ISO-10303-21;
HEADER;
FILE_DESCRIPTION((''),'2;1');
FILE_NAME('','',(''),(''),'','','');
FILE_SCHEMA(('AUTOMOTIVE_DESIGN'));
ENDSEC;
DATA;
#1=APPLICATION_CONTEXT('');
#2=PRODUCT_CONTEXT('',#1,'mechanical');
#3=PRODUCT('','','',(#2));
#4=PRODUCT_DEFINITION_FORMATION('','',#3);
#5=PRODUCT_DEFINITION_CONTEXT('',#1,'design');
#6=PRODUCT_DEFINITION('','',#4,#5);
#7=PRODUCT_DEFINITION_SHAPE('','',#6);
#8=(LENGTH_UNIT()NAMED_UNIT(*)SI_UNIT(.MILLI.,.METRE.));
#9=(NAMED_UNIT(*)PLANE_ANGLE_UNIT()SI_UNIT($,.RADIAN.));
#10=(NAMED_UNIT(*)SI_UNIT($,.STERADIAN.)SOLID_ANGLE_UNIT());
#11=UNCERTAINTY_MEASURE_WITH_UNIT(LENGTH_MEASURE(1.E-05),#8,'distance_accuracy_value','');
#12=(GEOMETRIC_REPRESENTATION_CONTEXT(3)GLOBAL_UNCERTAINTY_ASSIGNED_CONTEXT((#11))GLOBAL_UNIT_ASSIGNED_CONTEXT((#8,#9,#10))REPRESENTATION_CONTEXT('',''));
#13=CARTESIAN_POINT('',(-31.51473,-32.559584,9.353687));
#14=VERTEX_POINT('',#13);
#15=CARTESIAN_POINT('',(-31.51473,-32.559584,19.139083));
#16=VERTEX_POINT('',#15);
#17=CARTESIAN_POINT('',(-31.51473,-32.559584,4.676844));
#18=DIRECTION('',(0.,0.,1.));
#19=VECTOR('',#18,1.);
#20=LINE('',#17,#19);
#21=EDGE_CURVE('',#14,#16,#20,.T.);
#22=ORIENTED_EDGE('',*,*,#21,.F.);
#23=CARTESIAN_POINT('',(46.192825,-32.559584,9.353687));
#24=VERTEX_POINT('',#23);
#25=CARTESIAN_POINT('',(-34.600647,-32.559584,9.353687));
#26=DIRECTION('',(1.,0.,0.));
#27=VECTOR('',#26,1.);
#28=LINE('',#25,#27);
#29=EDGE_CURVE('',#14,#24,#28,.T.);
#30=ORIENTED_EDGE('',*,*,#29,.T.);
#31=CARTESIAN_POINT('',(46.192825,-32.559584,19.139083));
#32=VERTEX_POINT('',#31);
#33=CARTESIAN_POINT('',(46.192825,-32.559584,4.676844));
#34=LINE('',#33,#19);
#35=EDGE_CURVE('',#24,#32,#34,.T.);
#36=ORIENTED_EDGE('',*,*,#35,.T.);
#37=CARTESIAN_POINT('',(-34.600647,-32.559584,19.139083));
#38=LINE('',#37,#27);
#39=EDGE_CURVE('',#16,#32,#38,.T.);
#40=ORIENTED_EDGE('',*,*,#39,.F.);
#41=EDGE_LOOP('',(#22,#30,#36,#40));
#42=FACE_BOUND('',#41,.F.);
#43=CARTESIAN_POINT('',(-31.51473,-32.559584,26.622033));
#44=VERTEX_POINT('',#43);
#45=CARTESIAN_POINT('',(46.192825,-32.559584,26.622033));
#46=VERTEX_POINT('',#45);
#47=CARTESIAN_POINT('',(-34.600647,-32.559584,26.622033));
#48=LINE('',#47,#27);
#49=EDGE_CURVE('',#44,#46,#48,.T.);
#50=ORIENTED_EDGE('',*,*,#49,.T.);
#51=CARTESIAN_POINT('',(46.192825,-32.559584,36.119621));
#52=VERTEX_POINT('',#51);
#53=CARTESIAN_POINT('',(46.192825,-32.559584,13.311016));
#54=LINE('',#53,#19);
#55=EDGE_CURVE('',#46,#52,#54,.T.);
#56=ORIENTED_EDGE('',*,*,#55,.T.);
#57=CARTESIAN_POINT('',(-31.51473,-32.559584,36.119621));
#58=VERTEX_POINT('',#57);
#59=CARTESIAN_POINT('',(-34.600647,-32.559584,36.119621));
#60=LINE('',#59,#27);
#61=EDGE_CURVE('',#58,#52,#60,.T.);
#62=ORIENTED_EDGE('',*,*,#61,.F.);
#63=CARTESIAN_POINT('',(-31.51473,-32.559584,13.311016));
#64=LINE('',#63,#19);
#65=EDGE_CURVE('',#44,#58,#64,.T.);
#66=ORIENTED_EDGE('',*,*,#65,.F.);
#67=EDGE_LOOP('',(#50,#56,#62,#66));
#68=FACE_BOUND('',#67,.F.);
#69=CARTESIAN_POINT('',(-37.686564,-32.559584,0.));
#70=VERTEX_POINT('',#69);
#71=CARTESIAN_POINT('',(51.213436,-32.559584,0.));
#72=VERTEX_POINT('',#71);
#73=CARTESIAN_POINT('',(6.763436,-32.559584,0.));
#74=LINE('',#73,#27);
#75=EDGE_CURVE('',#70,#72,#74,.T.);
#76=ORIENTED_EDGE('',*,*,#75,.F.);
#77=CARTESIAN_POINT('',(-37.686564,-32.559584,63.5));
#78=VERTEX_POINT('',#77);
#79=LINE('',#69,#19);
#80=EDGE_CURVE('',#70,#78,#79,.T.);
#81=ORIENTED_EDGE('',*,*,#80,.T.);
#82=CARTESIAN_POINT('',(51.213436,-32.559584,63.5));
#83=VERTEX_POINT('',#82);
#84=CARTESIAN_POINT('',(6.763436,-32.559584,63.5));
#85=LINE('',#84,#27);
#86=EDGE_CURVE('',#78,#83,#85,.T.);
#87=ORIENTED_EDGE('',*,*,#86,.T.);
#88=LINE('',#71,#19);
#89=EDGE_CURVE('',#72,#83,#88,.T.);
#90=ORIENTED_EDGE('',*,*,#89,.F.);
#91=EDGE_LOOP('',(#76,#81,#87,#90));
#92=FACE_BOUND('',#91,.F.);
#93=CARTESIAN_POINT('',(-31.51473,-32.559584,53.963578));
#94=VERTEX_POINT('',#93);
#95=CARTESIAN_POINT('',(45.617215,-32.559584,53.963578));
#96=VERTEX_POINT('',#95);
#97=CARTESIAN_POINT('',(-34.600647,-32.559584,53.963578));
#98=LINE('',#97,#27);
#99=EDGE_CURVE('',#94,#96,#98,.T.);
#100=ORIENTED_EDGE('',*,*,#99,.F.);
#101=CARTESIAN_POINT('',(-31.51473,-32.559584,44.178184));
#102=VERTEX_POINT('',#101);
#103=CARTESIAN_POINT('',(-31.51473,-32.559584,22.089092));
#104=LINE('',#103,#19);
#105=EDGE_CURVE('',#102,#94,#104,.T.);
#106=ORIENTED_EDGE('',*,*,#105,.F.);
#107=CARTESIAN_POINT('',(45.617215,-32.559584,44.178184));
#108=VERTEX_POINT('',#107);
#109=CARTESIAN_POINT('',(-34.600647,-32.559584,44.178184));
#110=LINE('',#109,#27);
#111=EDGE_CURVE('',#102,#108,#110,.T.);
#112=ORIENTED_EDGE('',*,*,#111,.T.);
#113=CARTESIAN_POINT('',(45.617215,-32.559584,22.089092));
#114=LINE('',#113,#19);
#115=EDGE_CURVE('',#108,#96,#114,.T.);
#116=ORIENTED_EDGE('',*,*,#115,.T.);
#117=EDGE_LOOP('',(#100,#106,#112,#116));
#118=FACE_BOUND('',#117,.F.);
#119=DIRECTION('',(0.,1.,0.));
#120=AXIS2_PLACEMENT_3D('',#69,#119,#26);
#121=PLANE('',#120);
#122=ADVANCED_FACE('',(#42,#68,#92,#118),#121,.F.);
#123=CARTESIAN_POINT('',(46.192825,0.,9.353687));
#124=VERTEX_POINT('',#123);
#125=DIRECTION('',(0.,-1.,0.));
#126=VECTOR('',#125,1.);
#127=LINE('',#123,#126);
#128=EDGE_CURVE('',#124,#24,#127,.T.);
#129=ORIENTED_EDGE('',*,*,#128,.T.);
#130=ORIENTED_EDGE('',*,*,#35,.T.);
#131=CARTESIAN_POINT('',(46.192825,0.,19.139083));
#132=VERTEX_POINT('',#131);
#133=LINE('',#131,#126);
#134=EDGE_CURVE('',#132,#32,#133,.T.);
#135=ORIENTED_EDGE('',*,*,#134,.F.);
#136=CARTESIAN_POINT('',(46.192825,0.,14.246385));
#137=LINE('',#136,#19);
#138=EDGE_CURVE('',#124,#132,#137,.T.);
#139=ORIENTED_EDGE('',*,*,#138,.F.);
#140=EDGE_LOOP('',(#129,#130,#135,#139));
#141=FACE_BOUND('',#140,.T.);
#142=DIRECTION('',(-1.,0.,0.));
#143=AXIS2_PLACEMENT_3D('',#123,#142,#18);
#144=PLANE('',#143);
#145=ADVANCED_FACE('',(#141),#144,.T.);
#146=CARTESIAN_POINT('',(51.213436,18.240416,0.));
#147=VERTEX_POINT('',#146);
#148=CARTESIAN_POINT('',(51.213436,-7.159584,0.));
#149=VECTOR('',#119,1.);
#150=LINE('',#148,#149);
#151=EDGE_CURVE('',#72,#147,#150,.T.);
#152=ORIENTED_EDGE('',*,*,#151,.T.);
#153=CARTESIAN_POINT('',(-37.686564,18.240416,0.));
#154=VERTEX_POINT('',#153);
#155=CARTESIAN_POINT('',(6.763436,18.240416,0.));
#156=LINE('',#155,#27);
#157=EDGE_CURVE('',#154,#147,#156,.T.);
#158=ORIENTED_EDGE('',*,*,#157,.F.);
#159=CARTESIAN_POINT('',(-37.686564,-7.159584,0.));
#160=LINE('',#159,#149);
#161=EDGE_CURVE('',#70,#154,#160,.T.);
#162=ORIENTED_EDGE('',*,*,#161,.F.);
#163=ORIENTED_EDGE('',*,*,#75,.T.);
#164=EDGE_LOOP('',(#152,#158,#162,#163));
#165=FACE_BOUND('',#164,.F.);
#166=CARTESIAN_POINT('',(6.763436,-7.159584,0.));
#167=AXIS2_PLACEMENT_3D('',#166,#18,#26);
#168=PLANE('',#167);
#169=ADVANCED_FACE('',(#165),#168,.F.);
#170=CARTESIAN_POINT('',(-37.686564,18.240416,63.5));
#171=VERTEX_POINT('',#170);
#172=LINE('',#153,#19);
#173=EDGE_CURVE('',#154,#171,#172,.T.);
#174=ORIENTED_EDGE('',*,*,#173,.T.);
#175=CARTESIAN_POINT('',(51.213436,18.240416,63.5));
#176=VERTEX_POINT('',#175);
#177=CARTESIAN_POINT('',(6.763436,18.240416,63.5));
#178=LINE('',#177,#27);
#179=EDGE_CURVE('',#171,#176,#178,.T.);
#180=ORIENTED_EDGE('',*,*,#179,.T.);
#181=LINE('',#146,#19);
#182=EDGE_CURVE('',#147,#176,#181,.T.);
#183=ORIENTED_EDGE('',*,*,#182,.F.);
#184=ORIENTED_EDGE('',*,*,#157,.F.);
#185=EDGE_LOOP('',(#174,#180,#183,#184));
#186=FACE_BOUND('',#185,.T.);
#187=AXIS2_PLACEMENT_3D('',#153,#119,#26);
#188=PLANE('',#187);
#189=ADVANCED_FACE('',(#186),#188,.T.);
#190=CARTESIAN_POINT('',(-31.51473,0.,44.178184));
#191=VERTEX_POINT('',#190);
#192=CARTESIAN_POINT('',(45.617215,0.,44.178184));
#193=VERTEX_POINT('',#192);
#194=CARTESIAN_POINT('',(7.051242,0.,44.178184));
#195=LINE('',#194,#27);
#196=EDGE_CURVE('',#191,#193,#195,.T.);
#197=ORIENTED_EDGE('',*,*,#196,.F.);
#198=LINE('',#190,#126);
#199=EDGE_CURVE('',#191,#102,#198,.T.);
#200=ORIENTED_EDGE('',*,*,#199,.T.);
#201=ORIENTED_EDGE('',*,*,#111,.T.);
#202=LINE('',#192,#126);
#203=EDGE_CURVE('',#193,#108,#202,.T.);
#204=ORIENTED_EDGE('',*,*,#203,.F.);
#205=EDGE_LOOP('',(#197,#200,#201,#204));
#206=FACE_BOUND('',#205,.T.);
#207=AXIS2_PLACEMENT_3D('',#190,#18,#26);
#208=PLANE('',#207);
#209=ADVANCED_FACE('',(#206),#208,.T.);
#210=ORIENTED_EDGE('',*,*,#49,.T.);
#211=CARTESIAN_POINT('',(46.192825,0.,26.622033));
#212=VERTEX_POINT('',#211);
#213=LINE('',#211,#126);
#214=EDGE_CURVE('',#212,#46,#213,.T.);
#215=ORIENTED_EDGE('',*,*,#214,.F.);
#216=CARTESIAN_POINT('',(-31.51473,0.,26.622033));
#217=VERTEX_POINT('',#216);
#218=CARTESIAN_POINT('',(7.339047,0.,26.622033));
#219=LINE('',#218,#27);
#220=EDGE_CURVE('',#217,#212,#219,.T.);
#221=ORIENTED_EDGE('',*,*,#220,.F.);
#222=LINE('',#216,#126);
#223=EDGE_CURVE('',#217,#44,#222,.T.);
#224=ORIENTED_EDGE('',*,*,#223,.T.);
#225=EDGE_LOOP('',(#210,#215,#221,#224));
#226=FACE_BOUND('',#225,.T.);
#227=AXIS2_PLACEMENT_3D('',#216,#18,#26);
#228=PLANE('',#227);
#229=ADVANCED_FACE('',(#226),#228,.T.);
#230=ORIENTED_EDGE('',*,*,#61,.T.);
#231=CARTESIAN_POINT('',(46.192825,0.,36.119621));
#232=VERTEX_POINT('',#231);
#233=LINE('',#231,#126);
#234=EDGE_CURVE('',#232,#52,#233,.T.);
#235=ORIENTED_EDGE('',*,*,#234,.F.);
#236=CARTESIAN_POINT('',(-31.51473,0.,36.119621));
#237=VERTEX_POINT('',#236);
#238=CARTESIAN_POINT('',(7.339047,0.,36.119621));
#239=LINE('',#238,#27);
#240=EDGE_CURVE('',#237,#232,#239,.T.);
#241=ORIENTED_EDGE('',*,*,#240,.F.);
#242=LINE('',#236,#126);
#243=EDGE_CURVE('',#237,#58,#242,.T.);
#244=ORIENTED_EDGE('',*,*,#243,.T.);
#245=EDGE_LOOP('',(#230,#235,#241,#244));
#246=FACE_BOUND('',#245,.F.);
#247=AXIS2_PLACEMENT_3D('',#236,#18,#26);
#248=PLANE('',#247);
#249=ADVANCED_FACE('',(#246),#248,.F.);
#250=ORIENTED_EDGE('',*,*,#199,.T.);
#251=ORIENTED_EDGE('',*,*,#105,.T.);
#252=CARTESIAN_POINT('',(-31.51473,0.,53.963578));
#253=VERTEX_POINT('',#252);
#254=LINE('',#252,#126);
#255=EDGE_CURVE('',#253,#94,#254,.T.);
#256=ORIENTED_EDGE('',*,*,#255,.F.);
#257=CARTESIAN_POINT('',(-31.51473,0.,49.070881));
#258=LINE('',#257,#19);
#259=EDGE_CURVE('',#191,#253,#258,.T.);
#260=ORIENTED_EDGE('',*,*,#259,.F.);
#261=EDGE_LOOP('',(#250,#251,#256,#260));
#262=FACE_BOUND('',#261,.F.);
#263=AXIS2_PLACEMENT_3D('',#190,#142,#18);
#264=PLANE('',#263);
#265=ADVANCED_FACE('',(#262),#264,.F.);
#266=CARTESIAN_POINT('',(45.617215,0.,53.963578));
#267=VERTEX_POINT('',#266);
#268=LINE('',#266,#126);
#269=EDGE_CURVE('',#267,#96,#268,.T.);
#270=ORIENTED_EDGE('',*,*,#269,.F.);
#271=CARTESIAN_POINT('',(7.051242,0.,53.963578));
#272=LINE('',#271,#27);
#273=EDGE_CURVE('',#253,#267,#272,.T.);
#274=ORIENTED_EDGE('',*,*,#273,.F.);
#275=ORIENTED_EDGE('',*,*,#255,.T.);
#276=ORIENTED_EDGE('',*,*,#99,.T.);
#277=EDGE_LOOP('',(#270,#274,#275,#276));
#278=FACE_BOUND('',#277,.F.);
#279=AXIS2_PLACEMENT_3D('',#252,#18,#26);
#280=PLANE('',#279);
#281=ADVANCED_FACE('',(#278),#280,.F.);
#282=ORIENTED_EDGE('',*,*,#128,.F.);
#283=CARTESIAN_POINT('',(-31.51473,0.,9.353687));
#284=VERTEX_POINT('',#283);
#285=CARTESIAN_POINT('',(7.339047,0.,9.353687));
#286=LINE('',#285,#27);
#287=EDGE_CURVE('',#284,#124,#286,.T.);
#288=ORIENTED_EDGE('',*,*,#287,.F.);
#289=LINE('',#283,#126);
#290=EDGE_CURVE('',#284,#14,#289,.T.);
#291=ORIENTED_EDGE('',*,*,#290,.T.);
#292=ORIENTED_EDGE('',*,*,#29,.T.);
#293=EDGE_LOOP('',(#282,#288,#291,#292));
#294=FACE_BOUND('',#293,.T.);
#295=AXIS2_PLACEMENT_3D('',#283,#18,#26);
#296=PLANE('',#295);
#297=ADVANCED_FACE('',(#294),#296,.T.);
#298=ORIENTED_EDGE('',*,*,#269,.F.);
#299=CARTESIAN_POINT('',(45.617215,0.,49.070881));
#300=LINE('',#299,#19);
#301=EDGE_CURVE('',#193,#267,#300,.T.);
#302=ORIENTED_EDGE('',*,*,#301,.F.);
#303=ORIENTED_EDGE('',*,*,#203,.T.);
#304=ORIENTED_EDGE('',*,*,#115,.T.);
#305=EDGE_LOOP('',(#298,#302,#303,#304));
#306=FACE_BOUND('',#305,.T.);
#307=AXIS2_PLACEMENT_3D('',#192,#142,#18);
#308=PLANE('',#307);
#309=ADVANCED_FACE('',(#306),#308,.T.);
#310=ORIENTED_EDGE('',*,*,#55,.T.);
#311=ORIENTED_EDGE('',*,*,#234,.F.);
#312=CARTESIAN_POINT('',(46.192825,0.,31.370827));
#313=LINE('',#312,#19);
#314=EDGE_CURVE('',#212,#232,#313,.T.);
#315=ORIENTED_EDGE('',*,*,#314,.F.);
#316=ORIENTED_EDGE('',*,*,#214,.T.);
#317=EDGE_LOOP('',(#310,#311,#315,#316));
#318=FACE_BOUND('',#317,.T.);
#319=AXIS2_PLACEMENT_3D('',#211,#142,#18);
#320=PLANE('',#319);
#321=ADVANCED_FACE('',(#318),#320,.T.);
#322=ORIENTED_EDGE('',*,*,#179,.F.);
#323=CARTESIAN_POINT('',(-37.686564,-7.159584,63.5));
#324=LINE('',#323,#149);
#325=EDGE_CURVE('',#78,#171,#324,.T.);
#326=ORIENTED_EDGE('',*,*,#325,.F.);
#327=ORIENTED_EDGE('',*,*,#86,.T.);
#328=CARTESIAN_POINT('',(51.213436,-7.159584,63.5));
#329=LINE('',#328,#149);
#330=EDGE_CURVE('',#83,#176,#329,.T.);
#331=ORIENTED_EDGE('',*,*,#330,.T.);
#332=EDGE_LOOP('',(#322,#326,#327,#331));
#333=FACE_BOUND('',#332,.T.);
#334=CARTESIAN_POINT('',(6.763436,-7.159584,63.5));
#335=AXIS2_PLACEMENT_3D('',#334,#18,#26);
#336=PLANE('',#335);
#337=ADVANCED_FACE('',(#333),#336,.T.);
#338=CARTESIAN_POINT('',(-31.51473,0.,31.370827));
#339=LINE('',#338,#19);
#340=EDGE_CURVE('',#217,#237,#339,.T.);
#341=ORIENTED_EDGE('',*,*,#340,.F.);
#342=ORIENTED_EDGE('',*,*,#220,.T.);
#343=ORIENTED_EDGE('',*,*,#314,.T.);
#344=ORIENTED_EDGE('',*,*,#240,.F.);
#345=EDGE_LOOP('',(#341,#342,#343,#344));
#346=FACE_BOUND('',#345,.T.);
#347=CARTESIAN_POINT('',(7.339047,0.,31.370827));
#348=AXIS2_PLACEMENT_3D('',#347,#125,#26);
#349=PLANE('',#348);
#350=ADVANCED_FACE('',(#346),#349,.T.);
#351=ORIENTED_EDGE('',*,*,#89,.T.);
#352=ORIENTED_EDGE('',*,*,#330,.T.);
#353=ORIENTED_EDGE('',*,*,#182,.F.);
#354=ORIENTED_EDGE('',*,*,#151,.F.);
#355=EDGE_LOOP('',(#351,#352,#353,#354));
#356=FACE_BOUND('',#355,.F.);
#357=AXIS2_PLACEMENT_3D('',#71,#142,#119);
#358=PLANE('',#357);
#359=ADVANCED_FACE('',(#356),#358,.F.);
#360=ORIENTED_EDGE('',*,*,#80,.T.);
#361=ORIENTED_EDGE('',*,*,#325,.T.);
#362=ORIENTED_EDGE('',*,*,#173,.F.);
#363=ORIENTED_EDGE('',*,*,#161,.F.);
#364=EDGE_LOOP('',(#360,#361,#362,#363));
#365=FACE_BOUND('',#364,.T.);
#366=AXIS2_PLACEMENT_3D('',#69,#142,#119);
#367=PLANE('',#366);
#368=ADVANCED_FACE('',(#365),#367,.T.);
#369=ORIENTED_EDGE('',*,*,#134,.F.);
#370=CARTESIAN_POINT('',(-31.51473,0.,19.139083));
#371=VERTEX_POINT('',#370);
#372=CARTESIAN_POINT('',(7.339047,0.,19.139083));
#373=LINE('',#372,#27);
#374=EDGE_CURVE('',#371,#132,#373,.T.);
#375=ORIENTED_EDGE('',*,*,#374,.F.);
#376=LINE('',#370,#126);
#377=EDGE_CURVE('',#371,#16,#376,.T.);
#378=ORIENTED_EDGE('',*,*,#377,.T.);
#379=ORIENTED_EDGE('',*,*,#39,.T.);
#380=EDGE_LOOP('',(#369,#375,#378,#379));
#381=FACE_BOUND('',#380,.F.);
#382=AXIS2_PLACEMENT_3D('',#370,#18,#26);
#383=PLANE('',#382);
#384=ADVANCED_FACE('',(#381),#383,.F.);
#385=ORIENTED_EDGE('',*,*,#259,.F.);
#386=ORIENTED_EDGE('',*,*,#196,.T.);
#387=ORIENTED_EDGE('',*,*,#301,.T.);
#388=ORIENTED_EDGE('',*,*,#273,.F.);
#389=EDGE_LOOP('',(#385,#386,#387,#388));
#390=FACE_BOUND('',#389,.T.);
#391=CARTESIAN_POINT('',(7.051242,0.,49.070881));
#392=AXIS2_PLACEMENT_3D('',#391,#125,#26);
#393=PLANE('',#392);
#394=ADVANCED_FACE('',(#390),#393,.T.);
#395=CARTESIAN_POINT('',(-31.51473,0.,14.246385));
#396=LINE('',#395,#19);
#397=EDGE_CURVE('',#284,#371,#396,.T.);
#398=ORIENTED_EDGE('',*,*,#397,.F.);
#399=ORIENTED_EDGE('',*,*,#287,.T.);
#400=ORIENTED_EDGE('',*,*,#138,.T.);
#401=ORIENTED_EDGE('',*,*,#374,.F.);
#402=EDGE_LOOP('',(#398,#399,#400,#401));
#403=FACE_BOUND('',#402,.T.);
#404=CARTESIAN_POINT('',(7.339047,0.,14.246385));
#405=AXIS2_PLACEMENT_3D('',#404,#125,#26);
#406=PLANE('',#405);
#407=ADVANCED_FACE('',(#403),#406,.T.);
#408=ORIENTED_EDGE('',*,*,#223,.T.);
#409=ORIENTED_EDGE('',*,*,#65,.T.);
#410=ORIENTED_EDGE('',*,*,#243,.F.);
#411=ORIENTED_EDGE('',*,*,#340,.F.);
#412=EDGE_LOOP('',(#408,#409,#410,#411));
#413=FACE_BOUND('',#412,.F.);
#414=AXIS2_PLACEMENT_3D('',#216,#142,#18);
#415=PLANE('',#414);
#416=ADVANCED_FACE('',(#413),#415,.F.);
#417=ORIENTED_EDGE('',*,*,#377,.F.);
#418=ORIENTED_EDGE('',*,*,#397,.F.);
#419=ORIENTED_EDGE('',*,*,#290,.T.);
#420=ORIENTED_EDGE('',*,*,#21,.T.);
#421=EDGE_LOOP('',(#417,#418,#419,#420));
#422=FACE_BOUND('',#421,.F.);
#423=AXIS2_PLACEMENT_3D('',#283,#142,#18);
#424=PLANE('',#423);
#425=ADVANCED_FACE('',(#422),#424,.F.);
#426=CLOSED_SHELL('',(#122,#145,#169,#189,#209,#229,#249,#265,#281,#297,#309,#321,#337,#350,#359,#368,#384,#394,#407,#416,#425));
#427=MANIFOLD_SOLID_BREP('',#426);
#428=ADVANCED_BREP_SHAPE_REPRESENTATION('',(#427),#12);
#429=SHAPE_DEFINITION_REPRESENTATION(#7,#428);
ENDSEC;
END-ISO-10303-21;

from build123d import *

# Parameters (mm, degrees)
F0_W     = 88.9
F0_H     = 50.8
F1_DEPTH = 63.5
F2_W     = 77.131945
F2_H     = 9.785395
F2_W_2   = 77.707555
F2_H_2   = 9.497588
F2_H_3   = 9.785396
F3_DEPTH = 127


with BuildPart() as f1:
    # F0 (on Top) → F1 (new body)
    with BuildSketch(Plane.XY):
        with Locations((6.763436, -7.159584)):
            Rectangle(F0_W, F0_H)
    extrude(amount=F1_DEPTH)

    # F2 (on Front) → F3 (cut)
    with BuildSketch(Plane.XZ):
        with Locations((7.051242, 49.070881)):
            Rectangle(F2_W, F2_H)
        with Locations((7.339047, 31.370827)):
            Rectangle(F2_W_2, F2_H_2)
        with Locations((7.339047, 14.246385)):
            Rectangle(F2_W_2, F2_H_3)
    extrude(amount=F3_DEPTH, mode=Mode.SUBTRACT)


solid = f1.part
